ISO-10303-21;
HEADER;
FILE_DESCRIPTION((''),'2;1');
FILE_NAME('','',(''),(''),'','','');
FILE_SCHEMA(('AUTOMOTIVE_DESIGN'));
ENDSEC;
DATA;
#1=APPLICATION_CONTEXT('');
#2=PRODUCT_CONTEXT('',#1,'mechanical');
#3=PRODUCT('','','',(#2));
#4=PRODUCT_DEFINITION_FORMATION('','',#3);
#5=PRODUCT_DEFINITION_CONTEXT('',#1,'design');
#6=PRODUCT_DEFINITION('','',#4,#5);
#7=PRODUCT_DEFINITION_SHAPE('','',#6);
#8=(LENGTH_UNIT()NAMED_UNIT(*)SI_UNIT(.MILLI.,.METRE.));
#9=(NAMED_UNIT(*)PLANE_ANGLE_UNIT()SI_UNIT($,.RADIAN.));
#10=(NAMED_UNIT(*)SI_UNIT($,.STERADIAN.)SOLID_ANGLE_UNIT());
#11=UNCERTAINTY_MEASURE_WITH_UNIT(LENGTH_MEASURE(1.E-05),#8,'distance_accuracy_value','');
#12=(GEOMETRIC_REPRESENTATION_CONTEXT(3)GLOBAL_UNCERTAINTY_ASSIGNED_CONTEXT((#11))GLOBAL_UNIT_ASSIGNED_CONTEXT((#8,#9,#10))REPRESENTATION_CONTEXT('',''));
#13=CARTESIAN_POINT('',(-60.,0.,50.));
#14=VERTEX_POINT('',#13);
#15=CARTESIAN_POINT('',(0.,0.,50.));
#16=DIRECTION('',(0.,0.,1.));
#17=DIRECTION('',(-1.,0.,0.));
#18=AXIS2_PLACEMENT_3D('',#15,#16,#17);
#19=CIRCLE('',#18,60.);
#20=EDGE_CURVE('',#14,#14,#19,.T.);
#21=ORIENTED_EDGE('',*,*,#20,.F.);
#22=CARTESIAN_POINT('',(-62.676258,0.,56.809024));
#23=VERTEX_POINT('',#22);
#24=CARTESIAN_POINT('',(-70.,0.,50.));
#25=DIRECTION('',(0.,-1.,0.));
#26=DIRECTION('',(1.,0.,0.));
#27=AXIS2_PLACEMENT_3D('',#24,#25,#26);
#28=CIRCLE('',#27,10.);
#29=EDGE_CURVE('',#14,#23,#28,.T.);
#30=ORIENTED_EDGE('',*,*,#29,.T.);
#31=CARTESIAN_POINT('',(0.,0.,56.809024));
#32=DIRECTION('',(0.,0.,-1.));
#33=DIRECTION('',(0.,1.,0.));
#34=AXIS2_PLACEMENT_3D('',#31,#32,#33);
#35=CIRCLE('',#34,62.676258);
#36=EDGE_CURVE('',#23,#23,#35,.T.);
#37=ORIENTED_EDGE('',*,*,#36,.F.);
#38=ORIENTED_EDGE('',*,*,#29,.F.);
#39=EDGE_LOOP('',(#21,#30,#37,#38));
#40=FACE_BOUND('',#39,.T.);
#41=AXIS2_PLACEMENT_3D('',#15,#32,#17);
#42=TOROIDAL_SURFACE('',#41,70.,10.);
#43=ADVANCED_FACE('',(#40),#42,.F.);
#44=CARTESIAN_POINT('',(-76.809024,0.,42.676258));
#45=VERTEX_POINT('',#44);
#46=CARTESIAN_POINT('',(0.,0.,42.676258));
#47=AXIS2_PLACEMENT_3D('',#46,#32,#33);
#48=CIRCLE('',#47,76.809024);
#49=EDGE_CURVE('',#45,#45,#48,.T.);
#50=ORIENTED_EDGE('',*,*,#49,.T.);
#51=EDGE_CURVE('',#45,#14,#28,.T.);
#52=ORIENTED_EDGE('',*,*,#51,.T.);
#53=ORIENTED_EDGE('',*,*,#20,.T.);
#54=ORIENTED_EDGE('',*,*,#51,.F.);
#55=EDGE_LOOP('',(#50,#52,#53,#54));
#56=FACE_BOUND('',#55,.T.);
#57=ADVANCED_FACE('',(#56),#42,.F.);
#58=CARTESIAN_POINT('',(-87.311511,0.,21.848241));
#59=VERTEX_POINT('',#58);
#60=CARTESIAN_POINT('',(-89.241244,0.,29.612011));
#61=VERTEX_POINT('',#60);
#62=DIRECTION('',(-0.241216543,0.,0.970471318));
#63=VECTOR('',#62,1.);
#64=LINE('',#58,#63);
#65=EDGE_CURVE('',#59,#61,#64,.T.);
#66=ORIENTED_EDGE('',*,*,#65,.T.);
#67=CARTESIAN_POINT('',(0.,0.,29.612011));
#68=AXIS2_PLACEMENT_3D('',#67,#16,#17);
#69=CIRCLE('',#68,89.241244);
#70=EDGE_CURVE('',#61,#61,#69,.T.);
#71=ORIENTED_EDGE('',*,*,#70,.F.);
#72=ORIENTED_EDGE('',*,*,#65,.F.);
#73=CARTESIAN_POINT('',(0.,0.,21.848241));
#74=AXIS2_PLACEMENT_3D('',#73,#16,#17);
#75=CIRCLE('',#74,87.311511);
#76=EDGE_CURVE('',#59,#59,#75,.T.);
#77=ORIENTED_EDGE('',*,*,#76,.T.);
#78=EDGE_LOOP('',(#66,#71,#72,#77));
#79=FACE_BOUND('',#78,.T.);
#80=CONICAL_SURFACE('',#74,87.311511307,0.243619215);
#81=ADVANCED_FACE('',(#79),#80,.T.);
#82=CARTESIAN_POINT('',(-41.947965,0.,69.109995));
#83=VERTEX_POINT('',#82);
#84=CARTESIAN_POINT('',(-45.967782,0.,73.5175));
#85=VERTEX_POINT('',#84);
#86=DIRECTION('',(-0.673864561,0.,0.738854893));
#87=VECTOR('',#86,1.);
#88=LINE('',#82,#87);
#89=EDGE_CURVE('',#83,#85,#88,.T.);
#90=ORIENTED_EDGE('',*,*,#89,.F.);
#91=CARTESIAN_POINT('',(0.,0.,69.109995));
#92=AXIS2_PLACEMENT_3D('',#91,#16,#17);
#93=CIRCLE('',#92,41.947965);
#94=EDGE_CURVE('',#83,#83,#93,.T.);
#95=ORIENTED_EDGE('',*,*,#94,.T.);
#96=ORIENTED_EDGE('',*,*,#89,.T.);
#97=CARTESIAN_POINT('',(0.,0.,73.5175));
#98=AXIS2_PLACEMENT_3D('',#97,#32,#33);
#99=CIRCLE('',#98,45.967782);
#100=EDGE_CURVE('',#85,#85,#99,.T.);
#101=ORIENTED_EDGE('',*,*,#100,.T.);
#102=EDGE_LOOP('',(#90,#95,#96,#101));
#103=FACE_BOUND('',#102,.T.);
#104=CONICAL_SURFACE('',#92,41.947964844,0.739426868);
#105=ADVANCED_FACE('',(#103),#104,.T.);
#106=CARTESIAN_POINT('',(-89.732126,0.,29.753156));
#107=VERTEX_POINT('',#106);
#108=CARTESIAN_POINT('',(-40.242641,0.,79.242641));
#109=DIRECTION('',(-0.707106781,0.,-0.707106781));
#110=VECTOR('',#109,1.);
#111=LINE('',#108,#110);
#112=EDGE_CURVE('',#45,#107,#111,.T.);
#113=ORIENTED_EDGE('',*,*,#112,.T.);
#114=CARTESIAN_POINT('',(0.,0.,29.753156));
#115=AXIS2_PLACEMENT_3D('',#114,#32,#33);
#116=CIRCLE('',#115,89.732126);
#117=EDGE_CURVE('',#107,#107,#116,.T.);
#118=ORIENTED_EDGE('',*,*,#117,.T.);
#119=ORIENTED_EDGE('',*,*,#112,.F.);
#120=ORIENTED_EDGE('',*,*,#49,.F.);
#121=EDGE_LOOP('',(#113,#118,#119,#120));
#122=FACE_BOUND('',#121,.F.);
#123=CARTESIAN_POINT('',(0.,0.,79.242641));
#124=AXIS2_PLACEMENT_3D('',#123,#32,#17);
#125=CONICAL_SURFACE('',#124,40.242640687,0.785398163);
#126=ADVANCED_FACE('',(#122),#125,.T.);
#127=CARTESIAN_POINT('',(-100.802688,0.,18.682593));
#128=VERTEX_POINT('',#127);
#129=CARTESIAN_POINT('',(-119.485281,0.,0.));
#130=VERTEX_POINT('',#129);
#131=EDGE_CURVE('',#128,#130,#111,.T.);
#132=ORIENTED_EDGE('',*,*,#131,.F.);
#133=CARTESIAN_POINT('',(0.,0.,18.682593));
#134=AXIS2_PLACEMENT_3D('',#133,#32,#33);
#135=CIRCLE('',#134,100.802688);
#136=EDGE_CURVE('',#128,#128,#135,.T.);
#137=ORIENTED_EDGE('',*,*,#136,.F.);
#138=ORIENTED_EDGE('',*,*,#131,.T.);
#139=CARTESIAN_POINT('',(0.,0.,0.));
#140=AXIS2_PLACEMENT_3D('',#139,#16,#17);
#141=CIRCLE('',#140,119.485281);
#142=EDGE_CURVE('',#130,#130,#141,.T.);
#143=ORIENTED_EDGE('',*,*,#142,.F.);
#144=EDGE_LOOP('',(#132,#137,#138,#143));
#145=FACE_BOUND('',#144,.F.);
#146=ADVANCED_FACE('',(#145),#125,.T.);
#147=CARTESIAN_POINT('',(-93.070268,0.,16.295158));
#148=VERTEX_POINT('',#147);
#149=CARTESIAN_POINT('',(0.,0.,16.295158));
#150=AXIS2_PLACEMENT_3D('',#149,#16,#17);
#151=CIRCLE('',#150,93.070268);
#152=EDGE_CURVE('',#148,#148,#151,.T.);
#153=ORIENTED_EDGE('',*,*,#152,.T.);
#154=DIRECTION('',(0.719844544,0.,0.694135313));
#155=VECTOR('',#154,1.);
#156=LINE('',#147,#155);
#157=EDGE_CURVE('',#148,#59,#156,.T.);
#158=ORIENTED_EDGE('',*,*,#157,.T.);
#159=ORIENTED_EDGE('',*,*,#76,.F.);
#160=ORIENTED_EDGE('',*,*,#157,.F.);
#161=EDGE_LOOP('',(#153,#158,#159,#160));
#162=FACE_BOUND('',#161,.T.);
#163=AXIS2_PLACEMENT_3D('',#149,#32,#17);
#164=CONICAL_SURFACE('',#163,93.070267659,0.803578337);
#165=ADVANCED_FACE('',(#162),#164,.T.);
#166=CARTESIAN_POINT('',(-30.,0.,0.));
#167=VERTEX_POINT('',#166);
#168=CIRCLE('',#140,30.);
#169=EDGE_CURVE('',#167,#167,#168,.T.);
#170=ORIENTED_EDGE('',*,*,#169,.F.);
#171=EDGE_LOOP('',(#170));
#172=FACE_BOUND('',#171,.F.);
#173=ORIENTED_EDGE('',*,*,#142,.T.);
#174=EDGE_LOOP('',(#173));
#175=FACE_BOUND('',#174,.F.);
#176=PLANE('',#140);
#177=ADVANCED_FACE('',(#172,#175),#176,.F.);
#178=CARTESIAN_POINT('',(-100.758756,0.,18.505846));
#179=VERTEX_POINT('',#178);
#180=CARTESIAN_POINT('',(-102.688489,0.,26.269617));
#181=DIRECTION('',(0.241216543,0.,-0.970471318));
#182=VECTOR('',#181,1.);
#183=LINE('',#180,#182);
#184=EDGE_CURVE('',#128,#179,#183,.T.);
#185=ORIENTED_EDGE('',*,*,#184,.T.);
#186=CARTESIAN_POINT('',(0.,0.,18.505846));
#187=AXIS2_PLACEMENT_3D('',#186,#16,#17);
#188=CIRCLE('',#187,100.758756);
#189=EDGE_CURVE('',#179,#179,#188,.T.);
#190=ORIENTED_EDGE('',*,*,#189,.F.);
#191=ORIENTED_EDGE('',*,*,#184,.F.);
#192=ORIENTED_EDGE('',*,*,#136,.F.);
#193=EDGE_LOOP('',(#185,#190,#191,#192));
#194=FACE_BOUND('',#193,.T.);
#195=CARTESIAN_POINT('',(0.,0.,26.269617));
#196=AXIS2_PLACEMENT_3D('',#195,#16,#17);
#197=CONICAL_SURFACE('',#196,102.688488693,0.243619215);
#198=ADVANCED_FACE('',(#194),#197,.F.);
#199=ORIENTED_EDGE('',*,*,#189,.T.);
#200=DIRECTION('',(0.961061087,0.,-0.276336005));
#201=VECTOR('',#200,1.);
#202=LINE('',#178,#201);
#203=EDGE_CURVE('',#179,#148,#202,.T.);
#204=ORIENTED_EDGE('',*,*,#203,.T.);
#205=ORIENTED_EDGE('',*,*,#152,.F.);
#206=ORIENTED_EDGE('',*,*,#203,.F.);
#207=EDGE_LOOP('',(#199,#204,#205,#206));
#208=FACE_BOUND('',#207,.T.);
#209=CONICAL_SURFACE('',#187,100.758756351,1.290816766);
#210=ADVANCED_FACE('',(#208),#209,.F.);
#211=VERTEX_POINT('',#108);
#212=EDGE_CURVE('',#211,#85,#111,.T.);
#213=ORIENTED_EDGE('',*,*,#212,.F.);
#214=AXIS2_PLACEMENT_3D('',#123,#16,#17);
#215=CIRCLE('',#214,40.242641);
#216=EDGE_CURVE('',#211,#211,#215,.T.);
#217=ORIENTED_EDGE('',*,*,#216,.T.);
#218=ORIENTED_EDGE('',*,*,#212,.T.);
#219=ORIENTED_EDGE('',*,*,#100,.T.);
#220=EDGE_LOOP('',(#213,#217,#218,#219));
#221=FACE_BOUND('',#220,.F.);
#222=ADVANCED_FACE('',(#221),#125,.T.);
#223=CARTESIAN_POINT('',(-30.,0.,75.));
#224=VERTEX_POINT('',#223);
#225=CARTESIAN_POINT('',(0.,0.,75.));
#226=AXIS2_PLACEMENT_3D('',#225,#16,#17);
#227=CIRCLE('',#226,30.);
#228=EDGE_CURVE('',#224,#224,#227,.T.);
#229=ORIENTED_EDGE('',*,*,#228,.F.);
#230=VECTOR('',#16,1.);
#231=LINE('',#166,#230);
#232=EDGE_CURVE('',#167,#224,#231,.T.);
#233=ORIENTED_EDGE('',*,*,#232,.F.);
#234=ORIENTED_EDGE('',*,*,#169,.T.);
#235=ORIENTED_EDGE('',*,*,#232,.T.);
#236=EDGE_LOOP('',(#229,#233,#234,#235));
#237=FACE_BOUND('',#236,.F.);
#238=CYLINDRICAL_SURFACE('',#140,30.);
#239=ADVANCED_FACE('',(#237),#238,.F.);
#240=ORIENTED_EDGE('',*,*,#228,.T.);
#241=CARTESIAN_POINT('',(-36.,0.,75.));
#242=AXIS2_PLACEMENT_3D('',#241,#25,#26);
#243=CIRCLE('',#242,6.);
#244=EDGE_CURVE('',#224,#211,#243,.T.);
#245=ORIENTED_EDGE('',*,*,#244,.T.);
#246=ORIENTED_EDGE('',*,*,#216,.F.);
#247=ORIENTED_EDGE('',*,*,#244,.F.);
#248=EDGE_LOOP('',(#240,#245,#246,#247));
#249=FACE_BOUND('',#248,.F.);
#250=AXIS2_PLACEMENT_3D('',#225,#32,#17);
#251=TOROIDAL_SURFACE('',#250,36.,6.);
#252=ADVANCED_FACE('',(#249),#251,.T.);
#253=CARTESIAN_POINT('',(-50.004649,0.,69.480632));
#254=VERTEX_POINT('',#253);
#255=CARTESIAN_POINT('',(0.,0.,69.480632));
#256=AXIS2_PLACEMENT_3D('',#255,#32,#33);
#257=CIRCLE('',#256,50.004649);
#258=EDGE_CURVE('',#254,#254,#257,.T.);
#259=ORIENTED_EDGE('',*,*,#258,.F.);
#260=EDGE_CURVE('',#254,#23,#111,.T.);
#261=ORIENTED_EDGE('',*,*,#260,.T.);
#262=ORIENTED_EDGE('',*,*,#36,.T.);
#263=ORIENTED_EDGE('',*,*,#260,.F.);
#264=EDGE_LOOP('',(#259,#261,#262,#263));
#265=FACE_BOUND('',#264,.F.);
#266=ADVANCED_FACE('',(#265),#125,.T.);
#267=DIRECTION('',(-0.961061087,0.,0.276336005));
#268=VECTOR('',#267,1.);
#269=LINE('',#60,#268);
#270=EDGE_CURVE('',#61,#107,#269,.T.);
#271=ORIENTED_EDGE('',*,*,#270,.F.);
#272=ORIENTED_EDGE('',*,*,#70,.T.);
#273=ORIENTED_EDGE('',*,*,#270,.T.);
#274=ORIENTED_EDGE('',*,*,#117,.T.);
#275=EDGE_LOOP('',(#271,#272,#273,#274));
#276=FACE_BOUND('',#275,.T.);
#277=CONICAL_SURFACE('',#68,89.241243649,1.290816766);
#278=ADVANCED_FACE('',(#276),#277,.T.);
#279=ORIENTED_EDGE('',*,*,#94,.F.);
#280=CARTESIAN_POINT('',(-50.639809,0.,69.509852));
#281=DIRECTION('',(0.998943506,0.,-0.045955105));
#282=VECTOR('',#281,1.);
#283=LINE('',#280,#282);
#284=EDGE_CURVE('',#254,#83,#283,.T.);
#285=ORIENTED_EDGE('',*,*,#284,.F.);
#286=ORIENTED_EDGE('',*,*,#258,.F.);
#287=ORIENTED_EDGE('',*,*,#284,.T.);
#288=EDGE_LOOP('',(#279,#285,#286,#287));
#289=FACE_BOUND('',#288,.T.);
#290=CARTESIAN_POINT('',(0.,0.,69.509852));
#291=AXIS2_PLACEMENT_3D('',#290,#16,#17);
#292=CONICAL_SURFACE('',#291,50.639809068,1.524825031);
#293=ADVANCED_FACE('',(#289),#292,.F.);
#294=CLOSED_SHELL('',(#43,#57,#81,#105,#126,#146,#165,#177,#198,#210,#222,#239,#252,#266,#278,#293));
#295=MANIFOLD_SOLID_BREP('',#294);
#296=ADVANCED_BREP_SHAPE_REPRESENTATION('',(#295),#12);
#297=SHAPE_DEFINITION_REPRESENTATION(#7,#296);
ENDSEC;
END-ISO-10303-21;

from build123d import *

# Parameters (mm, degrees)
F2_R = 10


with BuildPart() as f1:
    # F0 (on Front) → F1 (revolve)
    with BuildSketch(Plane.XZ):
        with BuildLine():
            Line((-119.4852813742, 0), (-30, 0))
            Line((-30, 0), (-30, 75))
            ThreePointArc((-30, 75), (-33.7038994058, 80.5432771951), (-40.2426406871, 79.2426406871))
            Line((-40.2426406871, 79.2426406871), (-119.4852813742, 0))
        make_face()
    revolve(axis=Axis((0, 0, 44.6021817625), (0, 0, 1)))

    # F2 (on Front) → F3 (revolve, cut)
    with BuildSketch(Plane.XZ):
        with Locations((-70, 50)):
            Circle(F2_R)
    revolve(axis=Axis((0, 0, 44.2256368697), (0, 0, 1)), mode=Mode.SUBTRACT)

    # F4 (on Front) → F5 (revolve, cut)
    with BuildSketch(Plane.XZ):
        Polygon((-93.070267659, 16.2951581671), (-87.3115113074, 21.84824067), (-89.2412436485, 29.6120112161), (-96.929732341, 31.8226992593), (-102.6884886926, 26.2696167564), (-100.7587563515, 18.5058462103), align=None)
    revolve(axis=Axis((0, 0, 44.7207018733), (0, 0, 1)), mode=Mode.SUBTRACT)

    # F6 (on Front) → F7 (revolve, cut)
    with BuildSketch(Plane.XZ):
        Polygon((-50.2399520095, 78.2016961205), (-50.6398090678, 69.5098518968), (-41.9479648441, 69.1099948385), align=None)
    revolve(axis=Axis((0, 0, 44.9002496898), (0, 0, 1)), mode=Mode.SUBTRACT)


solid = f1.part
